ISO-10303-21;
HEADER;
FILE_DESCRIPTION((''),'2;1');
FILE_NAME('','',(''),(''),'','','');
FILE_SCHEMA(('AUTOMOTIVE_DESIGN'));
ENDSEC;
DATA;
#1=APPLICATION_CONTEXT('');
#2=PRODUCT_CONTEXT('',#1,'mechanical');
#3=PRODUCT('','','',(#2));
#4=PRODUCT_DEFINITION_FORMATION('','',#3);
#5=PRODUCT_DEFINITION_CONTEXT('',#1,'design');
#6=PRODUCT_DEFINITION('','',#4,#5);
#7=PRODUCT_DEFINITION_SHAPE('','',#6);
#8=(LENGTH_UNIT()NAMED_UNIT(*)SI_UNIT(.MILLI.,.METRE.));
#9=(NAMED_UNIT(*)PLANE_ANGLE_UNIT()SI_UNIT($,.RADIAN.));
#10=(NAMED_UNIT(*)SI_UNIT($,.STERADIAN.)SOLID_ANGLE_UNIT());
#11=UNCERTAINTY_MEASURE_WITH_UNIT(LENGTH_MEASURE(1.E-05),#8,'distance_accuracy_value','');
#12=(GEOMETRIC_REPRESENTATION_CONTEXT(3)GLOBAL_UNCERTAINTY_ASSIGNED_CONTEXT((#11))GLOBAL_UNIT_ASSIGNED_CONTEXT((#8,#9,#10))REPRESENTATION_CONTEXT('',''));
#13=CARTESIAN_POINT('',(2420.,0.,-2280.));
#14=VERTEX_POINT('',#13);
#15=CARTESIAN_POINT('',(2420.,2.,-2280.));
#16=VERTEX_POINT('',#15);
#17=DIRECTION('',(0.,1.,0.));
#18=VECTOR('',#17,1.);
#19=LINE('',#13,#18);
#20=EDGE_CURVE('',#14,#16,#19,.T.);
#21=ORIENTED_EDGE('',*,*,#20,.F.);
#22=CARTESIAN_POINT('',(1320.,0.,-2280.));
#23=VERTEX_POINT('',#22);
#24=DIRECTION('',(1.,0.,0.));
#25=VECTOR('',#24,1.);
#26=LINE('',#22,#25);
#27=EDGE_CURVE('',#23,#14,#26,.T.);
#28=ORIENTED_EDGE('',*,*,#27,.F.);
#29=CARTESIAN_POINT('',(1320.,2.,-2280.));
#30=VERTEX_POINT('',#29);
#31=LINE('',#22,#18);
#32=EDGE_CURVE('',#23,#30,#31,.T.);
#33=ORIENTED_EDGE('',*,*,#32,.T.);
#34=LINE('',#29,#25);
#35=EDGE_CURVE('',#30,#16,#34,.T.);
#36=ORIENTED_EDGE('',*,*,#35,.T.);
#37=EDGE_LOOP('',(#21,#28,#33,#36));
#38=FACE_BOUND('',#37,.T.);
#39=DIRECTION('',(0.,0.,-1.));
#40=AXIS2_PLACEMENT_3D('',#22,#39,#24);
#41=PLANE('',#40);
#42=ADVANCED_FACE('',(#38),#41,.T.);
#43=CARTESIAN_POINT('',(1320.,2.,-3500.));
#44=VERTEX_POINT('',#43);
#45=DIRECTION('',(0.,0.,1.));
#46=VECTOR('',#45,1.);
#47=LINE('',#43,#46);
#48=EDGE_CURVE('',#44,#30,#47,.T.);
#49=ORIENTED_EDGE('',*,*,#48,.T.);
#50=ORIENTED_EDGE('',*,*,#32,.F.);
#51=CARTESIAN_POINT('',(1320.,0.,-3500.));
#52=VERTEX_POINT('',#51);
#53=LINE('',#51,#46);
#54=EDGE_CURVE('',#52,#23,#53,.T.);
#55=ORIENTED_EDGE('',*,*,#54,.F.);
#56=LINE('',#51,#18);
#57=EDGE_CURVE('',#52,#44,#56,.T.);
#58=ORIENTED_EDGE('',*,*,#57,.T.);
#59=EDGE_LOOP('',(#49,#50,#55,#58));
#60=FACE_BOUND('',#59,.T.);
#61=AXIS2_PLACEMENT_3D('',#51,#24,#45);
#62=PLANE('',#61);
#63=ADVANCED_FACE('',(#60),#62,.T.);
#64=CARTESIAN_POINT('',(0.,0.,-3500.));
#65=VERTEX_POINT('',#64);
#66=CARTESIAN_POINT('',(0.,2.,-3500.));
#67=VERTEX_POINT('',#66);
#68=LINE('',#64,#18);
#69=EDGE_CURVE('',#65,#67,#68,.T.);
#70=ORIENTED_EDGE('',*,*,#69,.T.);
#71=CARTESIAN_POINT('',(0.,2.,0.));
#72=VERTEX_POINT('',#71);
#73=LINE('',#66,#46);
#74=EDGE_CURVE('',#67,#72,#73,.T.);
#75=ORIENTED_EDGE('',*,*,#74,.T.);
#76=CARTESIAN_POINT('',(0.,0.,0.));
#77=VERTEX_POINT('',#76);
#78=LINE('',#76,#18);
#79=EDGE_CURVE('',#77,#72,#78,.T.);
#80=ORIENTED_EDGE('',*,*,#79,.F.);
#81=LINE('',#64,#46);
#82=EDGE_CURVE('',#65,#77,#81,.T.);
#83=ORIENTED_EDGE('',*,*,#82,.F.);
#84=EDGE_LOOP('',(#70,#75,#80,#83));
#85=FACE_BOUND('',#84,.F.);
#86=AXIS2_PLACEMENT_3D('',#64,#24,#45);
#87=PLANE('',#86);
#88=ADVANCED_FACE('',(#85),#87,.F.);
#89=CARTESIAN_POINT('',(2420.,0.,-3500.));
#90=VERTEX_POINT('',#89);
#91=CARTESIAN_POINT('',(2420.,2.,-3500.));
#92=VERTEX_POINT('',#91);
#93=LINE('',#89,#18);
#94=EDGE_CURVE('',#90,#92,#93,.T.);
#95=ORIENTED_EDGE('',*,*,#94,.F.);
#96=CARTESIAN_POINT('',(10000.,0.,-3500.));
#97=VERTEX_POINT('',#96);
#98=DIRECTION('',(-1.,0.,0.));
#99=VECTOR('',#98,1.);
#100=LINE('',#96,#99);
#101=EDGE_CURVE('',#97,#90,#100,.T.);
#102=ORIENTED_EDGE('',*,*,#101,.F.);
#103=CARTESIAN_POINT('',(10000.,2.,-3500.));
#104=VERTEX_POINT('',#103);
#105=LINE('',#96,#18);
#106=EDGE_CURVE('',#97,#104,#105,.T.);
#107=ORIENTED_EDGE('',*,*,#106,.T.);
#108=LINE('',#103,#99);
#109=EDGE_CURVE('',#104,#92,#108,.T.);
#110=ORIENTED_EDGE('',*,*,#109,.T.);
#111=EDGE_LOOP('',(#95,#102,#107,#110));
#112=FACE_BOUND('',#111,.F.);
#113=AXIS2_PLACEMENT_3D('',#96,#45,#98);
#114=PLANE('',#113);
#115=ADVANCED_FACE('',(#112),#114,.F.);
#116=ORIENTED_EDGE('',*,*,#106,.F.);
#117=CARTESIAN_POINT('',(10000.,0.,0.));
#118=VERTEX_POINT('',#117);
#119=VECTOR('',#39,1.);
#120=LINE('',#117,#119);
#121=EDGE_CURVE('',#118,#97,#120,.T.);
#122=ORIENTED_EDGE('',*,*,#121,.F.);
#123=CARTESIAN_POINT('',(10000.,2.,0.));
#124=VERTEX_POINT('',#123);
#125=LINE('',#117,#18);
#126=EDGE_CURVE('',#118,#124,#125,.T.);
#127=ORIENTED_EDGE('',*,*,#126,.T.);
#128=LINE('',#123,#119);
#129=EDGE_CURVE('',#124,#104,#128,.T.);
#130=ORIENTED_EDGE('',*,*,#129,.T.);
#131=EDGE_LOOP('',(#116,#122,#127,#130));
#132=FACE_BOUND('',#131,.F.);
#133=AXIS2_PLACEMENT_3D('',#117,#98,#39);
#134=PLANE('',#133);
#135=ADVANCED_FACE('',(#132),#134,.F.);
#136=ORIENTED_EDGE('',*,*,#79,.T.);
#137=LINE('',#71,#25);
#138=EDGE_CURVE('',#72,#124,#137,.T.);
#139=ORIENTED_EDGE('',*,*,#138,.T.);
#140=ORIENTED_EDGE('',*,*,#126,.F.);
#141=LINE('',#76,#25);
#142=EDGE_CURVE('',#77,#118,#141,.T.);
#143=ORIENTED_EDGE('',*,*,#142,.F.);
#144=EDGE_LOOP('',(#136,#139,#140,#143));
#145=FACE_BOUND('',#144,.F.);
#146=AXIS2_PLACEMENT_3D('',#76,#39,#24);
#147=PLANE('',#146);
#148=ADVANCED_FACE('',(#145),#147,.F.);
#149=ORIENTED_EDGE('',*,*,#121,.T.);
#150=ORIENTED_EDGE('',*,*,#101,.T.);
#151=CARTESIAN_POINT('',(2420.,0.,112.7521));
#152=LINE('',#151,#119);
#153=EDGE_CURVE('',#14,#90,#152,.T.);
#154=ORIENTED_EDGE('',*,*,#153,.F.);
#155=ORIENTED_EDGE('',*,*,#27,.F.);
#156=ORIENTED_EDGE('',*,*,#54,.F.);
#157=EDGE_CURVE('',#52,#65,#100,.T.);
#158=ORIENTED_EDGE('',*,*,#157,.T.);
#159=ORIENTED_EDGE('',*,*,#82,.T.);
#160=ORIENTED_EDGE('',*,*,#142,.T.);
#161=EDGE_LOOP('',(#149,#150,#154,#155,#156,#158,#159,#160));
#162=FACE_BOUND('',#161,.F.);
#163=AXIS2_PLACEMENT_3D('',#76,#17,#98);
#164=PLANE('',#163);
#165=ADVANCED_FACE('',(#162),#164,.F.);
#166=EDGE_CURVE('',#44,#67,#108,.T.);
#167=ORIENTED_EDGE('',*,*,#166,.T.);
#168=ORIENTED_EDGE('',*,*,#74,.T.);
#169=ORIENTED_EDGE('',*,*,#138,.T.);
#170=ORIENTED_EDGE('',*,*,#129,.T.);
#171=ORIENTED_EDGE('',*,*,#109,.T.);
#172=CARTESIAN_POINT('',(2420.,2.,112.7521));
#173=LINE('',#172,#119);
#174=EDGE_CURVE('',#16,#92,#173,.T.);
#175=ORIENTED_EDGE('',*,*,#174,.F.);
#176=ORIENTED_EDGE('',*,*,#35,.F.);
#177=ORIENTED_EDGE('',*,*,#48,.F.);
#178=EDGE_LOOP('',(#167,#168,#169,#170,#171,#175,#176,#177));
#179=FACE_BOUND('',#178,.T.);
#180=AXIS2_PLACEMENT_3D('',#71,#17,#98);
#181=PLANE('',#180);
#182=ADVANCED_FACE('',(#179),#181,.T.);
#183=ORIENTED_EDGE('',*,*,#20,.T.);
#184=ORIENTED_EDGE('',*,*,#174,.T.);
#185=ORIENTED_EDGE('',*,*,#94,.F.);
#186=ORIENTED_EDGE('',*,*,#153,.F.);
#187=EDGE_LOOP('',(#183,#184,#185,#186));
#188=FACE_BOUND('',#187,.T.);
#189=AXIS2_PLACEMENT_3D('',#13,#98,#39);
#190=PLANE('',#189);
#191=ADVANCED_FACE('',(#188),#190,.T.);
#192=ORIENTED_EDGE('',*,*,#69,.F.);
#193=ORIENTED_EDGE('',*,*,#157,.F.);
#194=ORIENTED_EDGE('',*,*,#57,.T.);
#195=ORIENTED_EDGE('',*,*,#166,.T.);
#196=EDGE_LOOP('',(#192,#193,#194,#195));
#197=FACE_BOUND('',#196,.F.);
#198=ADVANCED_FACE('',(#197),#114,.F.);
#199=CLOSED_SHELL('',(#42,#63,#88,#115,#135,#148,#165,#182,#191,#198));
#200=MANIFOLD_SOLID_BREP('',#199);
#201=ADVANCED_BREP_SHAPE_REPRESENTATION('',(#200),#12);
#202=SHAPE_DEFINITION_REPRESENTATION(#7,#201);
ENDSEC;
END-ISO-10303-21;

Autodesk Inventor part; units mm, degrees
ref_plane "YZ Plane" through (0, 0, 0) normal (1, 0, 0) x (0, 1, 0)
ref_plane "XZ Plane" through (0, 0, 0) normal (0, 1, 0) x (-1, 0, 0)
ref_plane "XY Plane" through (0, 0, 0) normal (0, 0, 1) x (1, 0, 0)
sketch "Sketch1" plane through (0, 0, 0) normal (0, 1, 0) x (-1, 0, 0)
  line L0 (0, 0) -> (-10000, 0)
  line L1 (-10000, 0) -> (-10000, -3500)
  line L2 (-10000, -3500) -> (0, -3500)
  line L3 (0, -3500) -> (0, 0)
  dimension "d0" = 10000
  dimension "d1" = 3500
extrude "Plate1" add sketch "Sketch1" along normal blind 2
sketch "Sketch2" plane through (0, 0, 0) normal (0, -1, 0) x (1, 0, 0)
  line L0 (2420, 112.7521) -> (2420, -3617.2479) projected
  line L1 (900, -3726) -> (900, 226) projected
  line L2 (10000, -3500) -> (0, -3500) projected
  line L3 (2420, -3500) -> (1320, -3500)
  line L4 (1320, -3500) -> (1320, -2280)
  line L5 (1320, -2280) -> (2420, -2280)
  line L6 (2420, -2280) -> (2420, -3500)
  line L7 (1353.8656, -2345.1271) -> (1353.8656, -2281.1191) projected
  point P0 (0, 0)
  point P1 (2420, -2280)
  dimension "d3" = 1100
  dimension "d4" = 1220
extrude "Cut1" cut sketch "Sketch2" against normal blind 2
equation "\"d5\" = Thickness"
equation "\"d2\" = Thickness"
equation "\"BendRadius\" = Thickness"
equation "\"BendReliefWidth\" = Thickness"
equation "\"BendReliefDepth\" = 0.5 * Thickness"
equation "\"CornerReliefSize\" = 4 * Thickness"
equation "\"MinimumRemnant\" = 2 * Thickness"
equation "\"TransitionRadius\" = BendRadius"
equation "\"JacobiRadiusSize\" = BendRadius"
equation "\"GapSize\" = Thickness"
equation "\"Thickness\" = 2"
properties part number "Floor, Floor" material "Polypropylene"
